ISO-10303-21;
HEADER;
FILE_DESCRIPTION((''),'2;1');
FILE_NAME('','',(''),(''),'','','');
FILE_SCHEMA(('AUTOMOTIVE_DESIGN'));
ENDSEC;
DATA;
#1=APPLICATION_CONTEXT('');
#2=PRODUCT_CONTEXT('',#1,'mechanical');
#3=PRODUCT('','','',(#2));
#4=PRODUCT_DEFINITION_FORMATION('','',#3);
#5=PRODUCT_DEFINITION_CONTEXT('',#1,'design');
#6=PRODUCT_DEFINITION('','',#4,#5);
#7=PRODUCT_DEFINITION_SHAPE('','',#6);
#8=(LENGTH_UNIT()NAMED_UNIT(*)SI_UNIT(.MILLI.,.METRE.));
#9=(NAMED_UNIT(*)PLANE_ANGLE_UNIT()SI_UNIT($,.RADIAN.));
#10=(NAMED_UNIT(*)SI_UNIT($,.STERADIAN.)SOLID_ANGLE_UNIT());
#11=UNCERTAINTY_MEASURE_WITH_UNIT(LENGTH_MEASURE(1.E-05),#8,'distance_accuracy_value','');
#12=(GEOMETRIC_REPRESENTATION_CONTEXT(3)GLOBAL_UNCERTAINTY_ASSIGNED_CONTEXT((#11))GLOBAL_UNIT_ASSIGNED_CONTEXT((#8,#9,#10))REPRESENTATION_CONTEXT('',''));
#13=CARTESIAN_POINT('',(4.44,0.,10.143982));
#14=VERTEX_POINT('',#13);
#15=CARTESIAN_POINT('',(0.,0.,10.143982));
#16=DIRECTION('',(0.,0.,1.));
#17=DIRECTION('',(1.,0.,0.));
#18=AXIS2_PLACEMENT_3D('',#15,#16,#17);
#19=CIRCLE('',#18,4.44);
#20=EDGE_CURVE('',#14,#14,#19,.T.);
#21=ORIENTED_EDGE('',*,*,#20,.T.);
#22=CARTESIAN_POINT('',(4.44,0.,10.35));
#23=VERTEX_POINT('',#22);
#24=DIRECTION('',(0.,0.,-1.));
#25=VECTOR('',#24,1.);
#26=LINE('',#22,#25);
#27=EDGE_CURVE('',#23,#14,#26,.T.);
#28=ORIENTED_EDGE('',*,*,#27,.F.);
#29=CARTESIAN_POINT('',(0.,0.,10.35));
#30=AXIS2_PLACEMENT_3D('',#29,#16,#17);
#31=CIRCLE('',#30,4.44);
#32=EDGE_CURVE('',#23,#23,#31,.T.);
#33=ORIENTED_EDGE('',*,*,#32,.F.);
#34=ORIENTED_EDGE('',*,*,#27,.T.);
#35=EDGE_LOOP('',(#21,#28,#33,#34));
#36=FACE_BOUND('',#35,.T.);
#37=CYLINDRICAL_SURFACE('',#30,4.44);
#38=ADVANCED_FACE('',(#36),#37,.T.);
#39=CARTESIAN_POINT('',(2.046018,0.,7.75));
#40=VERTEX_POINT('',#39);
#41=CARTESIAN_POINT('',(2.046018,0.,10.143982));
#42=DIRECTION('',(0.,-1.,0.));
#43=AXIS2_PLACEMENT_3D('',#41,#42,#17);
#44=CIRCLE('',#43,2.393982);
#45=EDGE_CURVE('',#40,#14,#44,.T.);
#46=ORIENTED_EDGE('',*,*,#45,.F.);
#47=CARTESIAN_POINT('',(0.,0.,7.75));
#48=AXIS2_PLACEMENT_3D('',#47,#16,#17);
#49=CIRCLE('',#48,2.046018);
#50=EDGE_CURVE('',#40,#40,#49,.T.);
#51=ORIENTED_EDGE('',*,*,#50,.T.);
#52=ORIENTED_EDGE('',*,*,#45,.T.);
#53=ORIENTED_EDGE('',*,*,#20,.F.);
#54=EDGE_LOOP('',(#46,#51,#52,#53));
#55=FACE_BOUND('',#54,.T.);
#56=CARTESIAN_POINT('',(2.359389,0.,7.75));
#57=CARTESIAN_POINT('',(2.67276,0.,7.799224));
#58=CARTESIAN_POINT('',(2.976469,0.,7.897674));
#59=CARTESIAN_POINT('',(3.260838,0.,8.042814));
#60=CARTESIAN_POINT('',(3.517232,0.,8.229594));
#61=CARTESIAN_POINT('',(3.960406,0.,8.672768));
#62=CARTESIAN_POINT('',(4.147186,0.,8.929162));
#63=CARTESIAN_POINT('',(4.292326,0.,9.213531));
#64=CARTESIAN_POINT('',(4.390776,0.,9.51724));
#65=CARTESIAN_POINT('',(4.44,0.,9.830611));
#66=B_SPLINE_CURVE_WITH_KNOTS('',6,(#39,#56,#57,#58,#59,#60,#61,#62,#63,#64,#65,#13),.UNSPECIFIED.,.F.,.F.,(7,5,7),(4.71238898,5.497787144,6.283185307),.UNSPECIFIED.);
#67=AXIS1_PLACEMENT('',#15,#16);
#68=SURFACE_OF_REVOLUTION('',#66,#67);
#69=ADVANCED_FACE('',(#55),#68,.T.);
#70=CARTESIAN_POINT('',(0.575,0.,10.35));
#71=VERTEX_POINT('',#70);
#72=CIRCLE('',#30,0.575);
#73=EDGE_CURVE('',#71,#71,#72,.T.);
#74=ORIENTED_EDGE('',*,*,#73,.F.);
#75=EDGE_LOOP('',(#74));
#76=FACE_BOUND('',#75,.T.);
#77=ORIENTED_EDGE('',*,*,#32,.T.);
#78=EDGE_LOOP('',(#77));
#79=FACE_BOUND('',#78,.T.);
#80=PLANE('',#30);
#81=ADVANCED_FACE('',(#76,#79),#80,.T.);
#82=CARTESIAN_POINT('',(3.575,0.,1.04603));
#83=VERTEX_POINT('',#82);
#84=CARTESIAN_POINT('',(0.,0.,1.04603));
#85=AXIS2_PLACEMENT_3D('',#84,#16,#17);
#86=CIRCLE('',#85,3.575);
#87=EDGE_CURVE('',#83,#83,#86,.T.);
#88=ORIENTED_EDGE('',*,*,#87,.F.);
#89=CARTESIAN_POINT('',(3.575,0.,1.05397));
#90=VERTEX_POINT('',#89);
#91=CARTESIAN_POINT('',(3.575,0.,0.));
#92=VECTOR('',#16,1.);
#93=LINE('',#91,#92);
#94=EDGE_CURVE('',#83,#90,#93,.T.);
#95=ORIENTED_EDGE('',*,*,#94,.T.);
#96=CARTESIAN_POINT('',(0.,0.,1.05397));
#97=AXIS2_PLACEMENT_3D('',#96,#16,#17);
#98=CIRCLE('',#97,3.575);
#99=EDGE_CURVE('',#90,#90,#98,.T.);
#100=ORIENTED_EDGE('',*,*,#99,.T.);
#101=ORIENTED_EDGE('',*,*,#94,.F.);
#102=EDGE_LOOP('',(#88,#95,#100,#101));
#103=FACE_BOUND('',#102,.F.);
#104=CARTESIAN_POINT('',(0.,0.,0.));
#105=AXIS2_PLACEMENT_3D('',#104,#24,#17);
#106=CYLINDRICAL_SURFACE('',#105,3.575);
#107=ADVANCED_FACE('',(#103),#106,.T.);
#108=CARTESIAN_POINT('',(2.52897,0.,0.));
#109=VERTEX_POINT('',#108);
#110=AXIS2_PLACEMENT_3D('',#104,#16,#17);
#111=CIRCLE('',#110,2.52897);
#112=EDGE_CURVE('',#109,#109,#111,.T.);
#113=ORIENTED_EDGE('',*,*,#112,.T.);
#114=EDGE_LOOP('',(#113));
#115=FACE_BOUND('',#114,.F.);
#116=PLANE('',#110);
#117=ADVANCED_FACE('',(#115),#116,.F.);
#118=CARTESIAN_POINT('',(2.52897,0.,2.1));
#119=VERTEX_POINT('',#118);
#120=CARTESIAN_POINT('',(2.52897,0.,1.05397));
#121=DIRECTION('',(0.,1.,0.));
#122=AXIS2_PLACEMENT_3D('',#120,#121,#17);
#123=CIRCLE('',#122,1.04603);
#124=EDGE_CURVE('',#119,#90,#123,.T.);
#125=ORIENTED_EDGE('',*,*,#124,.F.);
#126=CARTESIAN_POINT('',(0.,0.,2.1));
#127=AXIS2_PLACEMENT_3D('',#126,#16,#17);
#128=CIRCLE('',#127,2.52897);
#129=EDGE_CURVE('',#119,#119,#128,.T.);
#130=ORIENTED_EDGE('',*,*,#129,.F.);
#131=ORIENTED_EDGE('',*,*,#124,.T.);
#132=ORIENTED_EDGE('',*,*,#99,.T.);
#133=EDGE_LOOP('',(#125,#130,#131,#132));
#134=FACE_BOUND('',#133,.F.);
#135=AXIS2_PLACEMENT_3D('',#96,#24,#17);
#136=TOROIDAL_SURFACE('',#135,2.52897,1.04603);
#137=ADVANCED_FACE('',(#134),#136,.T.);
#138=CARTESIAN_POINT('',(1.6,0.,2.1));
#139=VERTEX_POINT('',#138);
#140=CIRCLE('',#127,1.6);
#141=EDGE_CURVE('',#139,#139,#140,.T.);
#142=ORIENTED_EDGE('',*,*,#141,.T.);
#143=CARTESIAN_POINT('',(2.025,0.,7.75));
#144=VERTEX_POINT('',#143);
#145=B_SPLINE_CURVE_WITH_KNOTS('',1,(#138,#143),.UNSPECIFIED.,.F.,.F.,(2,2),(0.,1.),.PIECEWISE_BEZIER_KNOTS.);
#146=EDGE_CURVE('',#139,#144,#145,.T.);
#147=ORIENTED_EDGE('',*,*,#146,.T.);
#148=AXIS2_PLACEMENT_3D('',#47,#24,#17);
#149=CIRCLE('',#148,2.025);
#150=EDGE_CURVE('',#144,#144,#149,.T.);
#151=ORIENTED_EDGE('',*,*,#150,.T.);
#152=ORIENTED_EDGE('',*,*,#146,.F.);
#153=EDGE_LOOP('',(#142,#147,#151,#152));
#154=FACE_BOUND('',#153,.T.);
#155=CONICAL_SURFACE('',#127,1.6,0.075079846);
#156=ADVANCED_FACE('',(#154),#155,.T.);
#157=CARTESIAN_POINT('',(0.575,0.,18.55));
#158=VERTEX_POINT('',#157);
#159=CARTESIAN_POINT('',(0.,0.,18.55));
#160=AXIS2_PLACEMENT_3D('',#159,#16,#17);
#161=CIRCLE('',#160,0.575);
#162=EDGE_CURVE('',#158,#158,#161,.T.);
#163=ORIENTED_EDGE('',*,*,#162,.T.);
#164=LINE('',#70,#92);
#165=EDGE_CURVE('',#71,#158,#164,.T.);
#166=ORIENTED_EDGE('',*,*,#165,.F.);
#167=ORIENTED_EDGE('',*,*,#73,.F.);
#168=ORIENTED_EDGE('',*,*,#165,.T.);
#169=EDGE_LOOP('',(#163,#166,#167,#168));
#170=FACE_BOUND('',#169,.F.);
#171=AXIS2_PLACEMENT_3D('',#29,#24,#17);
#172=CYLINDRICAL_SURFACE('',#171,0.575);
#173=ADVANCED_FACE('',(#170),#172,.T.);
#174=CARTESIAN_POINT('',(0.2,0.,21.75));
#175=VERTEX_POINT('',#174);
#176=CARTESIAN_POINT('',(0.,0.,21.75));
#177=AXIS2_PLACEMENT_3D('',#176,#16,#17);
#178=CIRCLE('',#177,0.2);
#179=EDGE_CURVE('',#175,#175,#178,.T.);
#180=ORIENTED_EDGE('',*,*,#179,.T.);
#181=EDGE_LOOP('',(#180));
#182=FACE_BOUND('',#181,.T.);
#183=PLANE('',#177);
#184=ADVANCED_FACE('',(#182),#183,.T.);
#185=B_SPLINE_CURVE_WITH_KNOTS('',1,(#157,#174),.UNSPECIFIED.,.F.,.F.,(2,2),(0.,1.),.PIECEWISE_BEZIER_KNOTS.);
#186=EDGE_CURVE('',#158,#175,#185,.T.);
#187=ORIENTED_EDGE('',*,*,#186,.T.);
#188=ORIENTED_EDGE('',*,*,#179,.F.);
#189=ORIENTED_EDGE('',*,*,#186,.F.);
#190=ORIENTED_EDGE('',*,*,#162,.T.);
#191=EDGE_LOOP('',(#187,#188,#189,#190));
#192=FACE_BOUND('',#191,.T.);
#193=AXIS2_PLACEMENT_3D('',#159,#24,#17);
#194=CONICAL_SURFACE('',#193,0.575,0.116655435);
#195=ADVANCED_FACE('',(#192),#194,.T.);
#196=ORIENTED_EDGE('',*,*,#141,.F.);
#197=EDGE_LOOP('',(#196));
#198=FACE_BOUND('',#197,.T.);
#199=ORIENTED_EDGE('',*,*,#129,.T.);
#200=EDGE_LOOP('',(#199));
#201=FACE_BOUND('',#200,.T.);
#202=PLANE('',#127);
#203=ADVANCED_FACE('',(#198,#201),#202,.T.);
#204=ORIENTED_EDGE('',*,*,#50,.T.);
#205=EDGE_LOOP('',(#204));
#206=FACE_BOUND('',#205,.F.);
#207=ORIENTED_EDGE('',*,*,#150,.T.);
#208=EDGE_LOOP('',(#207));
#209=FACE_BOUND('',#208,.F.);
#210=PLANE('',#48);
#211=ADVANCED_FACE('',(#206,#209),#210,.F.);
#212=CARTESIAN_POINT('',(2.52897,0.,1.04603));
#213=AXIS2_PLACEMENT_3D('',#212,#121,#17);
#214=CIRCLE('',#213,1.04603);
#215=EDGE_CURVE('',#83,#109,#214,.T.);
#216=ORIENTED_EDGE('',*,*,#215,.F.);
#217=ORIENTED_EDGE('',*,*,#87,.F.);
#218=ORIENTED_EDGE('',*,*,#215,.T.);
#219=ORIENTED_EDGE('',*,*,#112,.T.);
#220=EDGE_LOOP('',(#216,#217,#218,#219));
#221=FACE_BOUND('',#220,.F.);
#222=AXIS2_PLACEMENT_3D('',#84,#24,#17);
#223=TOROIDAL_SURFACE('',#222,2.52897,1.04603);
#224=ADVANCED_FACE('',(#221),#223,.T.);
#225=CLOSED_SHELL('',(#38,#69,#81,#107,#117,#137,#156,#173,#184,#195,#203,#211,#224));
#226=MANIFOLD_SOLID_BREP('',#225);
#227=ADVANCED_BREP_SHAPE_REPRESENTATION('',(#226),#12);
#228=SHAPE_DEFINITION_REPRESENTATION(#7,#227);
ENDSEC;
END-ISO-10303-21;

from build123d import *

# Parameters (mm, degrees)
F0_R      = 3.575
F1_DEPTH  = 2.1
F2_R      = 1.6
F3_DEPTH  = 8.25
F4_R      = 4.44
F4_R_2    = 1.6
F5_DEPTH  = 2.6
F6_R      = 1.0460304523
F7_R      = 2.3939824527
F8_R      = 2.025
F10_R     = 0.575
F11_DEPTH = 8.2
F12_R     = 0.2
F13_DEPTH = 3.2
F14_R     = 0.575
F15_R     = 0.2


with BuildPart() as f1:
    # F0 (on Top) → F1 (new body)
    with BuildSketch(Plane.XY):
        Circle(F0_R)
    extrude(amount=F1_DEPTH)

    # F2 (on face) → F3 (join)
    with BuildSketch(Plane.XY.offset(2.1)):
        Circle(F2_R)
    extrude(amount=F3_DEPTH)

    # F4 (on face) → F5 (join)
    with BuildSketch(Plane.XY.offset(10.35)):
        Circle(F4_R)
        Circle(F4_R_2, mode=Mode.SUBTRACT)
    extrude(amount=-F5_DEPTH)

    # F6
    f6_edges = [f1.edges().sort_by_distance(p)[0] for p in [
        (-3.575, 0, 2.1),
        (-3.575, 0, 0),
    ]]
    fillet(f6_edges, radius=F6_R)

    # F7
    f7_edges = [f1.edges().sort_by_distance(p)[0] for p in [
        (-4.44, 0, 7.75),
    ]]
    fillet(f7_edges, radius=F7_R)

    # F2 (on face) → F9 section 0
    with BuildSketch(Plane.XY.offset(2.1)):
        Circle(F2_R)
    # F8 (on face) → F9 section 1
    with BuildSketch(Plane(origin=(0, 0, 7.75), x_dir=(1, 0, 0), z_dir=(0, 0, -1))):
        Circle(F8_R)
    loft()

    # F10 (on face) → F11 (join)
    with BuildSketch(Plane.XY.offset(10.35)):
        Circle(F10_R)
    extrude(amount=F11_DEPTH)

    # F12 (on face) → F13 (join)
    with BuildSketch(Plane.XY.offset(18.55)):
        Circle(F12_R)
    extrude(amount=F13_DEPTH)

    # F14 (on face) → F16 section 0
    with BuildSketch(Plane.XY.offset(18.55)):
        Circle(F14_R)
    # F15 (on face) → F16 section 1
    with BuildSketch(Plane.XY.offset(21.75)):
        Circle(F15_R)
    loft()


solid = f1.part
